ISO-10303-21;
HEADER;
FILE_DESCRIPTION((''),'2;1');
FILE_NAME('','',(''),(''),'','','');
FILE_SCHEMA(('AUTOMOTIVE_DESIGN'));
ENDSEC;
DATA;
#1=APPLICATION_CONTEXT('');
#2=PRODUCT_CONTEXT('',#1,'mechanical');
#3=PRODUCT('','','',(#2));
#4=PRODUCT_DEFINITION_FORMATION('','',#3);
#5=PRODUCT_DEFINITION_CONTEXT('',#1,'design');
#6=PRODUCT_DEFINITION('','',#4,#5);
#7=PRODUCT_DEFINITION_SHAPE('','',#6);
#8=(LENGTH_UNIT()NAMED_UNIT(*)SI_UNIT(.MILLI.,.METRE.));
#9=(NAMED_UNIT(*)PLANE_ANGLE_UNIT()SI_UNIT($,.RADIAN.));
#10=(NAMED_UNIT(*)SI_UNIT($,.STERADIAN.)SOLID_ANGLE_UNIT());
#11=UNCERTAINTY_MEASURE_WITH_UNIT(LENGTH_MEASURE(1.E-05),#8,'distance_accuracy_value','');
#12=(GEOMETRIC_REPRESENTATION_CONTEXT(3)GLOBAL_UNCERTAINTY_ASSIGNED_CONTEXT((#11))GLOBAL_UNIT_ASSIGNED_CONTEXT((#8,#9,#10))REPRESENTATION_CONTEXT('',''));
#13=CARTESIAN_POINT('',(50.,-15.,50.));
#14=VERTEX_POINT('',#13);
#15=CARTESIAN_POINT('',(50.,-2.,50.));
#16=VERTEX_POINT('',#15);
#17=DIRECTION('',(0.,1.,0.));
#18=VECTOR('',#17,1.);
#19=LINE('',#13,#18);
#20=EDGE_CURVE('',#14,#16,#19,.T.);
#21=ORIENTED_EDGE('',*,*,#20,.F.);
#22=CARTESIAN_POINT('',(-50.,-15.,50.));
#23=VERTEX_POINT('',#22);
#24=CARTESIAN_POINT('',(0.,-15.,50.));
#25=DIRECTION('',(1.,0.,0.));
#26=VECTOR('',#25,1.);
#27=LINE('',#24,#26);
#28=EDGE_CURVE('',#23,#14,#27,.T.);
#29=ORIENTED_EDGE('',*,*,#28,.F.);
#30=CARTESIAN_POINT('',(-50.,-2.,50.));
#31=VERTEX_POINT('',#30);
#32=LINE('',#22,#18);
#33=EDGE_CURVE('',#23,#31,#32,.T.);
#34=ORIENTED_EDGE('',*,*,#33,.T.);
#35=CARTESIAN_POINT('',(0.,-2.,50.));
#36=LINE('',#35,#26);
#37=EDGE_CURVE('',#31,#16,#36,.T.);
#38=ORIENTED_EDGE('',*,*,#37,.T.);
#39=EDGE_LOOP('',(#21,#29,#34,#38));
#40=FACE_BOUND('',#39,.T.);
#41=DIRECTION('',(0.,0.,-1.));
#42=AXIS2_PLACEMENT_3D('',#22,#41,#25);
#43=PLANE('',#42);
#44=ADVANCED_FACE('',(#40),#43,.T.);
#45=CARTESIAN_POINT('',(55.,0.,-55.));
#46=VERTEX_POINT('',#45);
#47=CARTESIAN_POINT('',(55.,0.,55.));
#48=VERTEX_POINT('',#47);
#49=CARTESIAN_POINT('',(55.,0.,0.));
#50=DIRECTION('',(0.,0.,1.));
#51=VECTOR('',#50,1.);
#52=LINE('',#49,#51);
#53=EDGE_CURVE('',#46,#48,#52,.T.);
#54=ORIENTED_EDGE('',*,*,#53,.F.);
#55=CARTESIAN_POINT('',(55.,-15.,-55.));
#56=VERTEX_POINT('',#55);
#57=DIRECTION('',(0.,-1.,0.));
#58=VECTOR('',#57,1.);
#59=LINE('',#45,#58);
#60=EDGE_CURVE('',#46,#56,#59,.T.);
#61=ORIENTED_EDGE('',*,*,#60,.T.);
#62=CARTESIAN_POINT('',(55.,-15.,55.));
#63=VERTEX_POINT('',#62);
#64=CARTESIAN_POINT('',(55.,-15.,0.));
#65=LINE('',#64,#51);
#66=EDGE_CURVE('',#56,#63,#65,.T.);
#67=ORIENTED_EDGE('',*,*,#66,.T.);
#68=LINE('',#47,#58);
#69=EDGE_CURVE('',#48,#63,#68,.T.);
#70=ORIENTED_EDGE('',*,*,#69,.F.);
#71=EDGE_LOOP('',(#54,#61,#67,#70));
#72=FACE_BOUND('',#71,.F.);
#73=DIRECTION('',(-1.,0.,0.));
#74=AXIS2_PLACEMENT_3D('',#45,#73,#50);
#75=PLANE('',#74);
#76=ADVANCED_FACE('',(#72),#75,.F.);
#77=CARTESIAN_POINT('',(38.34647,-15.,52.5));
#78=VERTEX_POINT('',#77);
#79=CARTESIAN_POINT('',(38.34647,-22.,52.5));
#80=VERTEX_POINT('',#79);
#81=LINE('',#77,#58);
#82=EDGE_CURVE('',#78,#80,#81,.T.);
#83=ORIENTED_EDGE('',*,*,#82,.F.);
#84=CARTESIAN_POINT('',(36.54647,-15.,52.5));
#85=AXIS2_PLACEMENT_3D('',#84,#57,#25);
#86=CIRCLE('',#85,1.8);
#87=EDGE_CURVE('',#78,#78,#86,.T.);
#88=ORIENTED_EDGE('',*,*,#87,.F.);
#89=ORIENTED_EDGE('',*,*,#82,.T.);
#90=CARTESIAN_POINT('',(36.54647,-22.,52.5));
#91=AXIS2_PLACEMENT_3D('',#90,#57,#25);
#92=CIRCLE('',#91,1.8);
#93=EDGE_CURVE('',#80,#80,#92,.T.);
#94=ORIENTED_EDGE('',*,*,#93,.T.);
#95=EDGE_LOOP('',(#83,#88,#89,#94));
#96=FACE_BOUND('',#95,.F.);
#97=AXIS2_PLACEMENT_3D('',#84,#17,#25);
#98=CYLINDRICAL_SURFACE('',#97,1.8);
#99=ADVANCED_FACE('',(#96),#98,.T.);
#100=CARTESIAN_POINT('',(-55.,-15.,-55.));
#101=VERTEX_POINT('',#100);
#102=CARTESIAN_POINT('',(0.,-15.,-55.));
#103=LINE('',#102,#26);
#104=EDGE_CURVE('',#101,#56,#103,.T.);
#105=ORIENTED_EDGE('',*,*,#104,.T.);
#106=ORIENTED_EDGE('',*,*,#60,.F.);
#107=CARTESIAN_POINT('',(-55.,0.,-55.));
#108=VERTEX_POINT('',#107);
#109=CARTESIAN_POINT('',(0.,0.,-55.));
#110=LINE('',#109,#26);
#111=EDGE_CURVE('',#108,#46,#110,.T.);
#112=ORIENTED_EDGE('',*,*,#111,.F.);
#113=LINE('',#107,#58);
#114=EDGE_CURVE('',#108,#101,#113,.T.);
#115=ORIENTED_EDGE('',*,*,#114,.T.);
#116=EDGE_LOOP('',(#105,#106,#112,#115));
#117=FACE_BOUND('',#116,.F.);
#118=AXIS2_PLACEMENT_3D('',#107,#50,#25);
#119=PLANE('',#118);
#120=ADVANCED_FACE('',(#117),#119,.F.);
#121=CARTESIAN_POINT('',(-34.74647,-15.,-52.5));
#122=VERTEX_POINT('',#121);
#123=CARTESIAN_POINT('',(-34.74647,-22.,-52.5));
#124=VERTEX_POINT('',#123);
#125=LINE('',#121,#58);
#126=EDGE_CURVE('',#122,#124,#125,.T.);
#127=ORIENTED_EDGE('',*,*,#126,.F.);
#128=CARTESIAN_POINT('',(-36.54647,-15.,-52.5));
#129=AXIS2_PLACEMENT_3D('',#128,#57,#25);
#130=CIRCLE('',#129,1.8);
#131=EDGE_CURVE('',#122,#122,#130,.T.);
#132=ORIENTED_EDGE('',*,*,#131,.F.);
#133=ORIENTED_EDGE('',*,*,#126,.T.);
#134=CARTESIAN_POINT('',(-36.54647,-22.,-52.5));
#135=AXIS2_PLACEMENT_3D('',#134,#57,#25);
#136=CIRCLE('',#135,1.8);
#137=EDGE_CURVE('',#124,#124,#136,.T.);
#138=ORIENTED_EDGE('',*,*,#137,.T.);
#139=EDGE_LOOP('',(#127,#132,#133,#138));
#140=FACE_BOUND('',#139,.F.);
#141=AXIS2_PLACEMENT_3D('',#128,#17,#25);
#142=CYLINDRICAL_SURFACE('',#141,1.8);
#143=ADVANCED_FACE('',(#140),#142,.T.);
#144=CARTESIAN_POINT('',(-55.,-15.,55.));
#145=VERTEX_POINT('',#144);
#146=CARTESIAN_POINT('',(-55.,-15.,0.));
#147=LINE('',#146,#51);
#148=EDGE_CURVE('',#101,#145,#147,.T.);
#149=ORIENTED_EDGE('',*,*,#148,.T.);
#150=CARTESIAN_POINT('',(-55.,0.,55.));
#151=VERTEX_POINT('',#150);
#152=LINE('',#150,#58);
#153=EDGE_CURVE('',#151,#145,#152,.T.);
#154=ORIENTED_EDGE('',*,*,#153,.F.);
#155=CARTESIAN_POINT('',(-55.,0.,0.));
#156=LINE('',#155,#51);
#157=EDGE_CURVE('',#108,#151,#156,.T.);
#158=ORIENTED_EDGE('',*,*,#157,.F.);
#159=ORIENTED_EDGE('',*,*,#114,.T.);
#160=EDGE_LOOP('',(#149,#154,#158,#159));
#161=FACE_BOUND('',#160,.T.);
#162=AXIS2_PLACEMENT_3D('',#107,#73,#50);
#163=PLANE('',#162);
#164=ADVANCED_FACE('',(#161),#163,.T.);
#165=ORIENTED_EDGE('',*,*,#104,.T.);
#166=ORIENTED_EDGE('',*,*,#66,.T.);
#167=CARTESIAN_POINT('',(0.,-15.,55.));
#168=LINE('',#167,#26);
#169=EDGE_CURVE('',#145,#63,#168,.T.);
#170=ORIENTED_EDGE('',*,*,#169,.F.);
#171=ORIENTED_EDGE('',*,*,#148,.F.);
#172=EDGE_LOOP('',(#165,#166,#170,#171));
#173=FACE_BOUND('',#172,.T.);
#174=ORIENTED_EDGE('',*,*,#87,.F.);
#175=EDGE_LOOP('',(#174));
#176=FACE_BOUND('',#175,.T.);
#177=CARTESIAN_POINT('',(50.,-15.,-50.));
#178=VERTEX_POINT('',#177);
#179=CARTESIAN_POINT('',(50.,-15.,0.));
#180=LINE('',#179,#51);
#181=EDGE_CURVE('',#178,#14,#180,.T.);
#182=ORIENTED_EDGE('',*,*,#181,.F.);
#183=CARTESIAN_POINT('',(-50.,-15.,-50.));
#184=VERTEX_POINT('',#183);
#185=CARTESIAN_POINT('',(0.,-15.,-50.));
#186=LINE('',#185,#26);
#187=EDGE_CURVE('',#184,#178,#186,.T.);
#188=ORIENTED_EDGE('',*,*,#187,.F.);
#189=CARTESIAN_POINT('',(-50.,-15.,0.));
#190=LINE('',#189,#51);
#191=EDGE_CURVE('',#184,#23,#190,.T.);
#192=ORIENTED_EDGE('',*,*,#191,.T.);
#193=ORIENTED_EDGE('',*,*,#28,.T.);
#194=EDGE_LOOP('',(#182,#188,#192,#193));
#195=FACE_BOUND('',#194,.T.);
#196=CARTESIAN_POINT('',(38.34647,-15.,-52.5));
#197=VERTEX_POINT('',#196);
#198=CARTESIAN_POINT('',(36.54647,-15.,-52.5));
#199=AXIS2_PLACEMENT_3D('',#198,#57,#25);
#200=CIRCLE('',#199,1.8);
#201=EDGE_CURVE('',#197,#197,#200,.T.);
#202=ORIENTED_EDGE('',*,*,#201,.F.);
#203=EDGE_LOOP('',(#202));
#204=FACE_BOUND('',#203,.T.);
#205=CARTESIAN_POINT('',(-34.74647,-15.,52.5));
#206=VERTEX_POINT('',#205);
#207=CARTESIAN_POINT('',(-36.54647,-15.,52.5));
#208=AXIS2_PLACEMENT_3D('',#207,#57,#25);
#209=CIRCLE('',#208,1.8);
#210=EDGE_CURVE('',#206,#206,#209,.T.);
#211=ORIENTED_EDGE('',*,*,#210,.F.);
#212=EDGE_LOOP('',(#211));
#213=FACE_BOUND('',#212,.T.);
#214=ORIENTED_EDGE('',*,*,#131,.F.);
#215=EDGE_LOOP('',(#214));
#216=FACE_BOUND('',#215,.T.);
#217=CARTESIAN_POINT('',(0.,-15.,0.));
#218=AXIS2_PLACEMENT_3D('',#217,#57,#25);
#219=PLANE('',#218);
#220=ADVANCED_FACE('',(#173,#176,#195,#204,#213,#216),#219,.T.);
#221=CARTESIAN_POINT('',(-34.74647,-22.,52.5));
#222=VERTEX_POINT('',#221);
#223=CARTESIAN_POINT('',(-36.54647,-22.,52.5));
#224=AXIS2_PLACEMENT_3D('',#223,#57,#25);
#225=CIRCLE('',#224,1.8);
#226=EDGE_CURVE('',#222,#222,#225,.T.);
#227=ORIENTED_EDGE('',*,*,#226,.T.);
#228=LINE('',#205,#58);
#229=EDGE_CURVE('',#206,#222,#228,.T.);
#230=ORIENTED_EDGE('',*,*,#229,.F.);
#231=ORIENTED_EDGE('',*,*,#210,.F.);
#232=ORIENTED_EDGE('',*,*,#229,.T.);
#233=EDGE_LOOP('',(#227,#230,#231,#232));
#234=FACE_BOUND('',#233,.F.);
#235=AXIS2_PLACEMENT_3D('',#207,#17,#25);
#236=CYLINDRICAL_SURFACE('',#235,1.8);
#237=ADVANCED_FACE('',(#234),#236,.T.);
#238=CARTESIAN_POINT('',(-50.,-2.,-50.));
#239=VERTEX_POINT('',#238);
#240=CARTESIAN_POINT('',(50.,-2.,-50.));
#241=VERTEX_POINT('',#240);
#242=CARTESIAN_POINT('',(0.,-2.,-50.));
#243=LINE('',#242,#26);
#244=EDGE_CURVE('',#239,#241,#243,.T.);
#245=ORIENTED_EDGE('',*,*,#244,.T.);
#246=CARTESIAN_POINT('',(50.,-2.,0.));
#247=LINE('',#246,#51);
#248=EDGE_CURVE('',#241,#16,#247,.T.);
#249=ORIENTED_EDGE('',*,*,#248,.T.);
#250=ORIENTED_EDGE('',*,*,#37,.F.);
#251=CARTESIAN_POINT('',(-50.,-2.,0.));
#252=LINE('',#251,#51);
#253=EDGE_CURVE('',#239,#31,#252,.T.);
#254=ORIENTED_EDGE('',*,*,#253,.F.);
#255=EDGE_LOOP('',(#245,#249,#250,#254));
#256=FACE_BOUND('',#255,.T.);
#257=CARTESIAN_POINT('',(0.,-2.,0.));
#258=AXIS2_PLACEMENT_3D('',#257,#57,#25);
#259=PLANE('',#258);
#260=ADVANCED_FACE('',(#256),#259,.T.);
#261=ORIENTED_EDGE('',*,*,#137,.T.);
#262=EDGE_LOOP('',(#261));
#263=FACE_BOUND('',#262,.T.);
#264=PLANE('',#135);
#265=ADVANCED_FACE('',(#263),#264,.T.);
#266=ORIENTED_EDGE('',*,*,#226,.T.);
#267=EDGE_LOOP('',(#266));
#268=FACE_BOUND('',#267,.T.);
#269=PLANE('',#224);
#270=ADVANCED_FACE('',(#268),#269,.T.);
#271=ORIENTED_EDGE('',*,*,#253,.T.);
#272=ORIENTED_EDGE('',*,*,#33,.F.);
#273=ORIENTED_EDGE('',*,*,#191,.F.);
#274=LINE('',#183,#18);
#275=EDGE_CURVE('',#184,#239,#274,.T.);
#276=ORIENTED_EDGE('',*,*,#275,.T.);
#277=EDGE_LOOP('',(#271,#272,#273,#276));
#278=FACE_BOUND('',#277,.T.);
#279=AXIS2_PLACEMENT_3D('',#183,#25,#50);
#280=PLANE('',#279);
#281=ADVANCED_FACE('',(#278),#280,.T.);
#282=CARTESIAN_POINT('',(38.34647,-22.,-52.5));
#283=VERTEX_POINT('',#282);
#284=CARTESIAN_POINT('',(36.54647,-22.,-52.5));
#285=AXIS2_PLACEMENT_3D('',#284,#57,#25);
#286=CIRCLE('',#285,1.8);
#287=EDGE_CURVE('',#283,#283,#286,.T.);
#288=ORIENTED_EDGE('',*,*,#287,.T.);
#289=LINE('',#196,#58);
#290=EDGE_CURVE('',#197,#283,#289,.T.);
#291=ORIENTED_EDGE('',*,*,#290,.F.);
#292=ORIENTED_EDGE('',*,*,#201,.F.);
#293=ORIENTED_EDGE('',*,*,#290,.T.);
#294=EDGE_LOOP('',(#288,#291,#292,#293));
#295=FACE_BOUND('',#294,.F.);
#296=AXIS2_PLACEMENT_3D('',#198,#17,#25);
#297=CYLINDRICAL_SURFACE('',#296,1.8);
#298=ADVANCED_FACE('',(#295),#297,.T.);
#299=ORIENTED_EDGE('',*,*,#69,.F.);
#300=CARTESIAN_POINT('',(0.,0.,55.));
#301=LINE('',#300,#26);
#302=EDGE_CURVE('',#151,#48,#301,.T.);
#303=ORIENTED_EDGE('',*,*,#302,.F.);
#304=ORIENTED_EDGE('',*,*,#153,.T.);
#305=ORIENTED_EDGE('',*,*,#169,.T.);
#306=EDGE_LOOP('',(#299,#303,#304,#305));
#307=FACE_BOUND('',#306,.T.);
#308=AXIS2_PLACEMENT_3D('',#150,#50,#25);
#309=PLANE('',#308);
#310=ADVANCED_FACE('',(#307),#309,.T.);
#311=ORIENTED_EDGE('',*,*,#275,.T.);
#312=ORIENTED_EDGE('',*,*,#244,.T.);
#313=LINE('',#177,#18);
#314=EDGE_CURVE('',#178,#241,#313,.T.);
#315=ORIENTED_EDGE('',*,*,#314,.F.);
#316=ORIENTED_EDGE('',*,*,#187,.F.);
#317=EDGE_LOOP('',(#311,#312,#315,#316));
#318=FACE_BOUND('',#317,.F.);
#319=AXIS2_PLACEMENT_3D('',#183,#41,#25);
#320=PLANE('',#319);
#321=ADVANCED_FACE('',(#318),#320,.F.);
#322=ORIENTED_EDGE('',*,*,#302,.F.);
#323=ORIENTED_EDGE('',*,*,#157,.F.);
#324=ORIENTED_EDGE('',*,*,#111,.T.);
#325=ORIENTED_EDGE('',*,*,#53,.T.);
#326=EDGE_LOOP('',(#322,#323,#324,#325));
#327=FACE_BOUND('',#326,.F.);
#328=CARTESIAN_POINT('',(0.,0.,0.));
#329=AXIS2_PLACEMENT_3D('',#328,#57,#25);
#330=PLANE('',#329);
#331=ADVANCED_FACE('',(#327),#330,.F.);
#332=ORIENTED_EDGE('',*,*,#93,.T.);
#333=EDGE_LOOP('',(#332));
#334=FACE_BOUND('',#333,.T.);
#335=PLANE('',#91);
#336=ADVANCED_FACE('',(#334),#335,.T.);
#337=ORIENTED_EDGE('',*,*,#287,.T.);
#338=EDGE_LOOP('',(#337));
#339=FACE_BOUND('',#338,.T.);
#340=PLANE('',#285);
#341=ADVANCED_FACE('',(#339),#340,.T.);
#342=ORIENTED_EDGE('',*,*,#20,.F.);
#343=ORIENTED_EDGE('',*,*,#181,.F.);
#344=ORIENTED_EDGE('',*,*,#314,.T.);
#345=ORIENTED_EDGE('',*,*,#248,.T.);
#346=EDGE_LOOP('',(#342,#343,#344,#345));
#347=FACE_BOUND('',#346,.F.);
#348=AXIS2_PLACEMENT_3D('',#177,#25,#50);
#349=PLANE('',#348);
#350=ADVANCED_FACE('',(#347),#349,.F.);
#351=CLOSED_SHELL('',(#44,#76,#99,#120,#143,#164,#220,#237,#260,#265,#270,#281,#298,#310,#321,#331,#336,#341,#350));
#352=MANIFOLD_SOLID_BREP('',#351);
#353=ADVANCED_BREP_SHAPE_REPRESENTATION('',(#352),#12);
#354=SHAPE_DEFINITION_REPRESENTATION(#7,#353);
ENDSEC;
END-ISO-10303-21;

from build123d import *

# Parameters (mm, degrees)
F0_W     = 110
F0_H     = 110
F1_DEPTH = 15
F2_W     = 100
F2_H     = 100
F3_DEPTH = 13
F4_R     = 1.8
F5_DEPTH = 7


with BuildPart() as f1:
    # F0 (on Front) → F1 (new body)
    with BuildSketch(Plane.XZ):
        Rectangle(F0_W, F0_H)
    extrude(amount=F1_DEPTH)

    # F2 (on face) → F3 (cut)
    with BuildSketch(Plane.XZ.offset(15)):
        Rectangle(F2_W, F2_H)
    extrude(amount=-F3_DEPTH, mode=Mode.SUBTRACT)

    # F4 (on face) → F5 (join)
    with BuildSketch(Plane.XZ.offset(15)):
        with Locations((-36.54647, 52.5)):
            Circle(F4_R)
        with Locations((36.54647, 52.5)):
            Circle(F4_R)
        with Locations((-36.54647, -52.5)):
            Circle(F4_R)
        with Locations((36.54647, -52.5)):
            Circle(F4_R)
    extrude(amount=F5_DEPTH)


solid = f1.part
